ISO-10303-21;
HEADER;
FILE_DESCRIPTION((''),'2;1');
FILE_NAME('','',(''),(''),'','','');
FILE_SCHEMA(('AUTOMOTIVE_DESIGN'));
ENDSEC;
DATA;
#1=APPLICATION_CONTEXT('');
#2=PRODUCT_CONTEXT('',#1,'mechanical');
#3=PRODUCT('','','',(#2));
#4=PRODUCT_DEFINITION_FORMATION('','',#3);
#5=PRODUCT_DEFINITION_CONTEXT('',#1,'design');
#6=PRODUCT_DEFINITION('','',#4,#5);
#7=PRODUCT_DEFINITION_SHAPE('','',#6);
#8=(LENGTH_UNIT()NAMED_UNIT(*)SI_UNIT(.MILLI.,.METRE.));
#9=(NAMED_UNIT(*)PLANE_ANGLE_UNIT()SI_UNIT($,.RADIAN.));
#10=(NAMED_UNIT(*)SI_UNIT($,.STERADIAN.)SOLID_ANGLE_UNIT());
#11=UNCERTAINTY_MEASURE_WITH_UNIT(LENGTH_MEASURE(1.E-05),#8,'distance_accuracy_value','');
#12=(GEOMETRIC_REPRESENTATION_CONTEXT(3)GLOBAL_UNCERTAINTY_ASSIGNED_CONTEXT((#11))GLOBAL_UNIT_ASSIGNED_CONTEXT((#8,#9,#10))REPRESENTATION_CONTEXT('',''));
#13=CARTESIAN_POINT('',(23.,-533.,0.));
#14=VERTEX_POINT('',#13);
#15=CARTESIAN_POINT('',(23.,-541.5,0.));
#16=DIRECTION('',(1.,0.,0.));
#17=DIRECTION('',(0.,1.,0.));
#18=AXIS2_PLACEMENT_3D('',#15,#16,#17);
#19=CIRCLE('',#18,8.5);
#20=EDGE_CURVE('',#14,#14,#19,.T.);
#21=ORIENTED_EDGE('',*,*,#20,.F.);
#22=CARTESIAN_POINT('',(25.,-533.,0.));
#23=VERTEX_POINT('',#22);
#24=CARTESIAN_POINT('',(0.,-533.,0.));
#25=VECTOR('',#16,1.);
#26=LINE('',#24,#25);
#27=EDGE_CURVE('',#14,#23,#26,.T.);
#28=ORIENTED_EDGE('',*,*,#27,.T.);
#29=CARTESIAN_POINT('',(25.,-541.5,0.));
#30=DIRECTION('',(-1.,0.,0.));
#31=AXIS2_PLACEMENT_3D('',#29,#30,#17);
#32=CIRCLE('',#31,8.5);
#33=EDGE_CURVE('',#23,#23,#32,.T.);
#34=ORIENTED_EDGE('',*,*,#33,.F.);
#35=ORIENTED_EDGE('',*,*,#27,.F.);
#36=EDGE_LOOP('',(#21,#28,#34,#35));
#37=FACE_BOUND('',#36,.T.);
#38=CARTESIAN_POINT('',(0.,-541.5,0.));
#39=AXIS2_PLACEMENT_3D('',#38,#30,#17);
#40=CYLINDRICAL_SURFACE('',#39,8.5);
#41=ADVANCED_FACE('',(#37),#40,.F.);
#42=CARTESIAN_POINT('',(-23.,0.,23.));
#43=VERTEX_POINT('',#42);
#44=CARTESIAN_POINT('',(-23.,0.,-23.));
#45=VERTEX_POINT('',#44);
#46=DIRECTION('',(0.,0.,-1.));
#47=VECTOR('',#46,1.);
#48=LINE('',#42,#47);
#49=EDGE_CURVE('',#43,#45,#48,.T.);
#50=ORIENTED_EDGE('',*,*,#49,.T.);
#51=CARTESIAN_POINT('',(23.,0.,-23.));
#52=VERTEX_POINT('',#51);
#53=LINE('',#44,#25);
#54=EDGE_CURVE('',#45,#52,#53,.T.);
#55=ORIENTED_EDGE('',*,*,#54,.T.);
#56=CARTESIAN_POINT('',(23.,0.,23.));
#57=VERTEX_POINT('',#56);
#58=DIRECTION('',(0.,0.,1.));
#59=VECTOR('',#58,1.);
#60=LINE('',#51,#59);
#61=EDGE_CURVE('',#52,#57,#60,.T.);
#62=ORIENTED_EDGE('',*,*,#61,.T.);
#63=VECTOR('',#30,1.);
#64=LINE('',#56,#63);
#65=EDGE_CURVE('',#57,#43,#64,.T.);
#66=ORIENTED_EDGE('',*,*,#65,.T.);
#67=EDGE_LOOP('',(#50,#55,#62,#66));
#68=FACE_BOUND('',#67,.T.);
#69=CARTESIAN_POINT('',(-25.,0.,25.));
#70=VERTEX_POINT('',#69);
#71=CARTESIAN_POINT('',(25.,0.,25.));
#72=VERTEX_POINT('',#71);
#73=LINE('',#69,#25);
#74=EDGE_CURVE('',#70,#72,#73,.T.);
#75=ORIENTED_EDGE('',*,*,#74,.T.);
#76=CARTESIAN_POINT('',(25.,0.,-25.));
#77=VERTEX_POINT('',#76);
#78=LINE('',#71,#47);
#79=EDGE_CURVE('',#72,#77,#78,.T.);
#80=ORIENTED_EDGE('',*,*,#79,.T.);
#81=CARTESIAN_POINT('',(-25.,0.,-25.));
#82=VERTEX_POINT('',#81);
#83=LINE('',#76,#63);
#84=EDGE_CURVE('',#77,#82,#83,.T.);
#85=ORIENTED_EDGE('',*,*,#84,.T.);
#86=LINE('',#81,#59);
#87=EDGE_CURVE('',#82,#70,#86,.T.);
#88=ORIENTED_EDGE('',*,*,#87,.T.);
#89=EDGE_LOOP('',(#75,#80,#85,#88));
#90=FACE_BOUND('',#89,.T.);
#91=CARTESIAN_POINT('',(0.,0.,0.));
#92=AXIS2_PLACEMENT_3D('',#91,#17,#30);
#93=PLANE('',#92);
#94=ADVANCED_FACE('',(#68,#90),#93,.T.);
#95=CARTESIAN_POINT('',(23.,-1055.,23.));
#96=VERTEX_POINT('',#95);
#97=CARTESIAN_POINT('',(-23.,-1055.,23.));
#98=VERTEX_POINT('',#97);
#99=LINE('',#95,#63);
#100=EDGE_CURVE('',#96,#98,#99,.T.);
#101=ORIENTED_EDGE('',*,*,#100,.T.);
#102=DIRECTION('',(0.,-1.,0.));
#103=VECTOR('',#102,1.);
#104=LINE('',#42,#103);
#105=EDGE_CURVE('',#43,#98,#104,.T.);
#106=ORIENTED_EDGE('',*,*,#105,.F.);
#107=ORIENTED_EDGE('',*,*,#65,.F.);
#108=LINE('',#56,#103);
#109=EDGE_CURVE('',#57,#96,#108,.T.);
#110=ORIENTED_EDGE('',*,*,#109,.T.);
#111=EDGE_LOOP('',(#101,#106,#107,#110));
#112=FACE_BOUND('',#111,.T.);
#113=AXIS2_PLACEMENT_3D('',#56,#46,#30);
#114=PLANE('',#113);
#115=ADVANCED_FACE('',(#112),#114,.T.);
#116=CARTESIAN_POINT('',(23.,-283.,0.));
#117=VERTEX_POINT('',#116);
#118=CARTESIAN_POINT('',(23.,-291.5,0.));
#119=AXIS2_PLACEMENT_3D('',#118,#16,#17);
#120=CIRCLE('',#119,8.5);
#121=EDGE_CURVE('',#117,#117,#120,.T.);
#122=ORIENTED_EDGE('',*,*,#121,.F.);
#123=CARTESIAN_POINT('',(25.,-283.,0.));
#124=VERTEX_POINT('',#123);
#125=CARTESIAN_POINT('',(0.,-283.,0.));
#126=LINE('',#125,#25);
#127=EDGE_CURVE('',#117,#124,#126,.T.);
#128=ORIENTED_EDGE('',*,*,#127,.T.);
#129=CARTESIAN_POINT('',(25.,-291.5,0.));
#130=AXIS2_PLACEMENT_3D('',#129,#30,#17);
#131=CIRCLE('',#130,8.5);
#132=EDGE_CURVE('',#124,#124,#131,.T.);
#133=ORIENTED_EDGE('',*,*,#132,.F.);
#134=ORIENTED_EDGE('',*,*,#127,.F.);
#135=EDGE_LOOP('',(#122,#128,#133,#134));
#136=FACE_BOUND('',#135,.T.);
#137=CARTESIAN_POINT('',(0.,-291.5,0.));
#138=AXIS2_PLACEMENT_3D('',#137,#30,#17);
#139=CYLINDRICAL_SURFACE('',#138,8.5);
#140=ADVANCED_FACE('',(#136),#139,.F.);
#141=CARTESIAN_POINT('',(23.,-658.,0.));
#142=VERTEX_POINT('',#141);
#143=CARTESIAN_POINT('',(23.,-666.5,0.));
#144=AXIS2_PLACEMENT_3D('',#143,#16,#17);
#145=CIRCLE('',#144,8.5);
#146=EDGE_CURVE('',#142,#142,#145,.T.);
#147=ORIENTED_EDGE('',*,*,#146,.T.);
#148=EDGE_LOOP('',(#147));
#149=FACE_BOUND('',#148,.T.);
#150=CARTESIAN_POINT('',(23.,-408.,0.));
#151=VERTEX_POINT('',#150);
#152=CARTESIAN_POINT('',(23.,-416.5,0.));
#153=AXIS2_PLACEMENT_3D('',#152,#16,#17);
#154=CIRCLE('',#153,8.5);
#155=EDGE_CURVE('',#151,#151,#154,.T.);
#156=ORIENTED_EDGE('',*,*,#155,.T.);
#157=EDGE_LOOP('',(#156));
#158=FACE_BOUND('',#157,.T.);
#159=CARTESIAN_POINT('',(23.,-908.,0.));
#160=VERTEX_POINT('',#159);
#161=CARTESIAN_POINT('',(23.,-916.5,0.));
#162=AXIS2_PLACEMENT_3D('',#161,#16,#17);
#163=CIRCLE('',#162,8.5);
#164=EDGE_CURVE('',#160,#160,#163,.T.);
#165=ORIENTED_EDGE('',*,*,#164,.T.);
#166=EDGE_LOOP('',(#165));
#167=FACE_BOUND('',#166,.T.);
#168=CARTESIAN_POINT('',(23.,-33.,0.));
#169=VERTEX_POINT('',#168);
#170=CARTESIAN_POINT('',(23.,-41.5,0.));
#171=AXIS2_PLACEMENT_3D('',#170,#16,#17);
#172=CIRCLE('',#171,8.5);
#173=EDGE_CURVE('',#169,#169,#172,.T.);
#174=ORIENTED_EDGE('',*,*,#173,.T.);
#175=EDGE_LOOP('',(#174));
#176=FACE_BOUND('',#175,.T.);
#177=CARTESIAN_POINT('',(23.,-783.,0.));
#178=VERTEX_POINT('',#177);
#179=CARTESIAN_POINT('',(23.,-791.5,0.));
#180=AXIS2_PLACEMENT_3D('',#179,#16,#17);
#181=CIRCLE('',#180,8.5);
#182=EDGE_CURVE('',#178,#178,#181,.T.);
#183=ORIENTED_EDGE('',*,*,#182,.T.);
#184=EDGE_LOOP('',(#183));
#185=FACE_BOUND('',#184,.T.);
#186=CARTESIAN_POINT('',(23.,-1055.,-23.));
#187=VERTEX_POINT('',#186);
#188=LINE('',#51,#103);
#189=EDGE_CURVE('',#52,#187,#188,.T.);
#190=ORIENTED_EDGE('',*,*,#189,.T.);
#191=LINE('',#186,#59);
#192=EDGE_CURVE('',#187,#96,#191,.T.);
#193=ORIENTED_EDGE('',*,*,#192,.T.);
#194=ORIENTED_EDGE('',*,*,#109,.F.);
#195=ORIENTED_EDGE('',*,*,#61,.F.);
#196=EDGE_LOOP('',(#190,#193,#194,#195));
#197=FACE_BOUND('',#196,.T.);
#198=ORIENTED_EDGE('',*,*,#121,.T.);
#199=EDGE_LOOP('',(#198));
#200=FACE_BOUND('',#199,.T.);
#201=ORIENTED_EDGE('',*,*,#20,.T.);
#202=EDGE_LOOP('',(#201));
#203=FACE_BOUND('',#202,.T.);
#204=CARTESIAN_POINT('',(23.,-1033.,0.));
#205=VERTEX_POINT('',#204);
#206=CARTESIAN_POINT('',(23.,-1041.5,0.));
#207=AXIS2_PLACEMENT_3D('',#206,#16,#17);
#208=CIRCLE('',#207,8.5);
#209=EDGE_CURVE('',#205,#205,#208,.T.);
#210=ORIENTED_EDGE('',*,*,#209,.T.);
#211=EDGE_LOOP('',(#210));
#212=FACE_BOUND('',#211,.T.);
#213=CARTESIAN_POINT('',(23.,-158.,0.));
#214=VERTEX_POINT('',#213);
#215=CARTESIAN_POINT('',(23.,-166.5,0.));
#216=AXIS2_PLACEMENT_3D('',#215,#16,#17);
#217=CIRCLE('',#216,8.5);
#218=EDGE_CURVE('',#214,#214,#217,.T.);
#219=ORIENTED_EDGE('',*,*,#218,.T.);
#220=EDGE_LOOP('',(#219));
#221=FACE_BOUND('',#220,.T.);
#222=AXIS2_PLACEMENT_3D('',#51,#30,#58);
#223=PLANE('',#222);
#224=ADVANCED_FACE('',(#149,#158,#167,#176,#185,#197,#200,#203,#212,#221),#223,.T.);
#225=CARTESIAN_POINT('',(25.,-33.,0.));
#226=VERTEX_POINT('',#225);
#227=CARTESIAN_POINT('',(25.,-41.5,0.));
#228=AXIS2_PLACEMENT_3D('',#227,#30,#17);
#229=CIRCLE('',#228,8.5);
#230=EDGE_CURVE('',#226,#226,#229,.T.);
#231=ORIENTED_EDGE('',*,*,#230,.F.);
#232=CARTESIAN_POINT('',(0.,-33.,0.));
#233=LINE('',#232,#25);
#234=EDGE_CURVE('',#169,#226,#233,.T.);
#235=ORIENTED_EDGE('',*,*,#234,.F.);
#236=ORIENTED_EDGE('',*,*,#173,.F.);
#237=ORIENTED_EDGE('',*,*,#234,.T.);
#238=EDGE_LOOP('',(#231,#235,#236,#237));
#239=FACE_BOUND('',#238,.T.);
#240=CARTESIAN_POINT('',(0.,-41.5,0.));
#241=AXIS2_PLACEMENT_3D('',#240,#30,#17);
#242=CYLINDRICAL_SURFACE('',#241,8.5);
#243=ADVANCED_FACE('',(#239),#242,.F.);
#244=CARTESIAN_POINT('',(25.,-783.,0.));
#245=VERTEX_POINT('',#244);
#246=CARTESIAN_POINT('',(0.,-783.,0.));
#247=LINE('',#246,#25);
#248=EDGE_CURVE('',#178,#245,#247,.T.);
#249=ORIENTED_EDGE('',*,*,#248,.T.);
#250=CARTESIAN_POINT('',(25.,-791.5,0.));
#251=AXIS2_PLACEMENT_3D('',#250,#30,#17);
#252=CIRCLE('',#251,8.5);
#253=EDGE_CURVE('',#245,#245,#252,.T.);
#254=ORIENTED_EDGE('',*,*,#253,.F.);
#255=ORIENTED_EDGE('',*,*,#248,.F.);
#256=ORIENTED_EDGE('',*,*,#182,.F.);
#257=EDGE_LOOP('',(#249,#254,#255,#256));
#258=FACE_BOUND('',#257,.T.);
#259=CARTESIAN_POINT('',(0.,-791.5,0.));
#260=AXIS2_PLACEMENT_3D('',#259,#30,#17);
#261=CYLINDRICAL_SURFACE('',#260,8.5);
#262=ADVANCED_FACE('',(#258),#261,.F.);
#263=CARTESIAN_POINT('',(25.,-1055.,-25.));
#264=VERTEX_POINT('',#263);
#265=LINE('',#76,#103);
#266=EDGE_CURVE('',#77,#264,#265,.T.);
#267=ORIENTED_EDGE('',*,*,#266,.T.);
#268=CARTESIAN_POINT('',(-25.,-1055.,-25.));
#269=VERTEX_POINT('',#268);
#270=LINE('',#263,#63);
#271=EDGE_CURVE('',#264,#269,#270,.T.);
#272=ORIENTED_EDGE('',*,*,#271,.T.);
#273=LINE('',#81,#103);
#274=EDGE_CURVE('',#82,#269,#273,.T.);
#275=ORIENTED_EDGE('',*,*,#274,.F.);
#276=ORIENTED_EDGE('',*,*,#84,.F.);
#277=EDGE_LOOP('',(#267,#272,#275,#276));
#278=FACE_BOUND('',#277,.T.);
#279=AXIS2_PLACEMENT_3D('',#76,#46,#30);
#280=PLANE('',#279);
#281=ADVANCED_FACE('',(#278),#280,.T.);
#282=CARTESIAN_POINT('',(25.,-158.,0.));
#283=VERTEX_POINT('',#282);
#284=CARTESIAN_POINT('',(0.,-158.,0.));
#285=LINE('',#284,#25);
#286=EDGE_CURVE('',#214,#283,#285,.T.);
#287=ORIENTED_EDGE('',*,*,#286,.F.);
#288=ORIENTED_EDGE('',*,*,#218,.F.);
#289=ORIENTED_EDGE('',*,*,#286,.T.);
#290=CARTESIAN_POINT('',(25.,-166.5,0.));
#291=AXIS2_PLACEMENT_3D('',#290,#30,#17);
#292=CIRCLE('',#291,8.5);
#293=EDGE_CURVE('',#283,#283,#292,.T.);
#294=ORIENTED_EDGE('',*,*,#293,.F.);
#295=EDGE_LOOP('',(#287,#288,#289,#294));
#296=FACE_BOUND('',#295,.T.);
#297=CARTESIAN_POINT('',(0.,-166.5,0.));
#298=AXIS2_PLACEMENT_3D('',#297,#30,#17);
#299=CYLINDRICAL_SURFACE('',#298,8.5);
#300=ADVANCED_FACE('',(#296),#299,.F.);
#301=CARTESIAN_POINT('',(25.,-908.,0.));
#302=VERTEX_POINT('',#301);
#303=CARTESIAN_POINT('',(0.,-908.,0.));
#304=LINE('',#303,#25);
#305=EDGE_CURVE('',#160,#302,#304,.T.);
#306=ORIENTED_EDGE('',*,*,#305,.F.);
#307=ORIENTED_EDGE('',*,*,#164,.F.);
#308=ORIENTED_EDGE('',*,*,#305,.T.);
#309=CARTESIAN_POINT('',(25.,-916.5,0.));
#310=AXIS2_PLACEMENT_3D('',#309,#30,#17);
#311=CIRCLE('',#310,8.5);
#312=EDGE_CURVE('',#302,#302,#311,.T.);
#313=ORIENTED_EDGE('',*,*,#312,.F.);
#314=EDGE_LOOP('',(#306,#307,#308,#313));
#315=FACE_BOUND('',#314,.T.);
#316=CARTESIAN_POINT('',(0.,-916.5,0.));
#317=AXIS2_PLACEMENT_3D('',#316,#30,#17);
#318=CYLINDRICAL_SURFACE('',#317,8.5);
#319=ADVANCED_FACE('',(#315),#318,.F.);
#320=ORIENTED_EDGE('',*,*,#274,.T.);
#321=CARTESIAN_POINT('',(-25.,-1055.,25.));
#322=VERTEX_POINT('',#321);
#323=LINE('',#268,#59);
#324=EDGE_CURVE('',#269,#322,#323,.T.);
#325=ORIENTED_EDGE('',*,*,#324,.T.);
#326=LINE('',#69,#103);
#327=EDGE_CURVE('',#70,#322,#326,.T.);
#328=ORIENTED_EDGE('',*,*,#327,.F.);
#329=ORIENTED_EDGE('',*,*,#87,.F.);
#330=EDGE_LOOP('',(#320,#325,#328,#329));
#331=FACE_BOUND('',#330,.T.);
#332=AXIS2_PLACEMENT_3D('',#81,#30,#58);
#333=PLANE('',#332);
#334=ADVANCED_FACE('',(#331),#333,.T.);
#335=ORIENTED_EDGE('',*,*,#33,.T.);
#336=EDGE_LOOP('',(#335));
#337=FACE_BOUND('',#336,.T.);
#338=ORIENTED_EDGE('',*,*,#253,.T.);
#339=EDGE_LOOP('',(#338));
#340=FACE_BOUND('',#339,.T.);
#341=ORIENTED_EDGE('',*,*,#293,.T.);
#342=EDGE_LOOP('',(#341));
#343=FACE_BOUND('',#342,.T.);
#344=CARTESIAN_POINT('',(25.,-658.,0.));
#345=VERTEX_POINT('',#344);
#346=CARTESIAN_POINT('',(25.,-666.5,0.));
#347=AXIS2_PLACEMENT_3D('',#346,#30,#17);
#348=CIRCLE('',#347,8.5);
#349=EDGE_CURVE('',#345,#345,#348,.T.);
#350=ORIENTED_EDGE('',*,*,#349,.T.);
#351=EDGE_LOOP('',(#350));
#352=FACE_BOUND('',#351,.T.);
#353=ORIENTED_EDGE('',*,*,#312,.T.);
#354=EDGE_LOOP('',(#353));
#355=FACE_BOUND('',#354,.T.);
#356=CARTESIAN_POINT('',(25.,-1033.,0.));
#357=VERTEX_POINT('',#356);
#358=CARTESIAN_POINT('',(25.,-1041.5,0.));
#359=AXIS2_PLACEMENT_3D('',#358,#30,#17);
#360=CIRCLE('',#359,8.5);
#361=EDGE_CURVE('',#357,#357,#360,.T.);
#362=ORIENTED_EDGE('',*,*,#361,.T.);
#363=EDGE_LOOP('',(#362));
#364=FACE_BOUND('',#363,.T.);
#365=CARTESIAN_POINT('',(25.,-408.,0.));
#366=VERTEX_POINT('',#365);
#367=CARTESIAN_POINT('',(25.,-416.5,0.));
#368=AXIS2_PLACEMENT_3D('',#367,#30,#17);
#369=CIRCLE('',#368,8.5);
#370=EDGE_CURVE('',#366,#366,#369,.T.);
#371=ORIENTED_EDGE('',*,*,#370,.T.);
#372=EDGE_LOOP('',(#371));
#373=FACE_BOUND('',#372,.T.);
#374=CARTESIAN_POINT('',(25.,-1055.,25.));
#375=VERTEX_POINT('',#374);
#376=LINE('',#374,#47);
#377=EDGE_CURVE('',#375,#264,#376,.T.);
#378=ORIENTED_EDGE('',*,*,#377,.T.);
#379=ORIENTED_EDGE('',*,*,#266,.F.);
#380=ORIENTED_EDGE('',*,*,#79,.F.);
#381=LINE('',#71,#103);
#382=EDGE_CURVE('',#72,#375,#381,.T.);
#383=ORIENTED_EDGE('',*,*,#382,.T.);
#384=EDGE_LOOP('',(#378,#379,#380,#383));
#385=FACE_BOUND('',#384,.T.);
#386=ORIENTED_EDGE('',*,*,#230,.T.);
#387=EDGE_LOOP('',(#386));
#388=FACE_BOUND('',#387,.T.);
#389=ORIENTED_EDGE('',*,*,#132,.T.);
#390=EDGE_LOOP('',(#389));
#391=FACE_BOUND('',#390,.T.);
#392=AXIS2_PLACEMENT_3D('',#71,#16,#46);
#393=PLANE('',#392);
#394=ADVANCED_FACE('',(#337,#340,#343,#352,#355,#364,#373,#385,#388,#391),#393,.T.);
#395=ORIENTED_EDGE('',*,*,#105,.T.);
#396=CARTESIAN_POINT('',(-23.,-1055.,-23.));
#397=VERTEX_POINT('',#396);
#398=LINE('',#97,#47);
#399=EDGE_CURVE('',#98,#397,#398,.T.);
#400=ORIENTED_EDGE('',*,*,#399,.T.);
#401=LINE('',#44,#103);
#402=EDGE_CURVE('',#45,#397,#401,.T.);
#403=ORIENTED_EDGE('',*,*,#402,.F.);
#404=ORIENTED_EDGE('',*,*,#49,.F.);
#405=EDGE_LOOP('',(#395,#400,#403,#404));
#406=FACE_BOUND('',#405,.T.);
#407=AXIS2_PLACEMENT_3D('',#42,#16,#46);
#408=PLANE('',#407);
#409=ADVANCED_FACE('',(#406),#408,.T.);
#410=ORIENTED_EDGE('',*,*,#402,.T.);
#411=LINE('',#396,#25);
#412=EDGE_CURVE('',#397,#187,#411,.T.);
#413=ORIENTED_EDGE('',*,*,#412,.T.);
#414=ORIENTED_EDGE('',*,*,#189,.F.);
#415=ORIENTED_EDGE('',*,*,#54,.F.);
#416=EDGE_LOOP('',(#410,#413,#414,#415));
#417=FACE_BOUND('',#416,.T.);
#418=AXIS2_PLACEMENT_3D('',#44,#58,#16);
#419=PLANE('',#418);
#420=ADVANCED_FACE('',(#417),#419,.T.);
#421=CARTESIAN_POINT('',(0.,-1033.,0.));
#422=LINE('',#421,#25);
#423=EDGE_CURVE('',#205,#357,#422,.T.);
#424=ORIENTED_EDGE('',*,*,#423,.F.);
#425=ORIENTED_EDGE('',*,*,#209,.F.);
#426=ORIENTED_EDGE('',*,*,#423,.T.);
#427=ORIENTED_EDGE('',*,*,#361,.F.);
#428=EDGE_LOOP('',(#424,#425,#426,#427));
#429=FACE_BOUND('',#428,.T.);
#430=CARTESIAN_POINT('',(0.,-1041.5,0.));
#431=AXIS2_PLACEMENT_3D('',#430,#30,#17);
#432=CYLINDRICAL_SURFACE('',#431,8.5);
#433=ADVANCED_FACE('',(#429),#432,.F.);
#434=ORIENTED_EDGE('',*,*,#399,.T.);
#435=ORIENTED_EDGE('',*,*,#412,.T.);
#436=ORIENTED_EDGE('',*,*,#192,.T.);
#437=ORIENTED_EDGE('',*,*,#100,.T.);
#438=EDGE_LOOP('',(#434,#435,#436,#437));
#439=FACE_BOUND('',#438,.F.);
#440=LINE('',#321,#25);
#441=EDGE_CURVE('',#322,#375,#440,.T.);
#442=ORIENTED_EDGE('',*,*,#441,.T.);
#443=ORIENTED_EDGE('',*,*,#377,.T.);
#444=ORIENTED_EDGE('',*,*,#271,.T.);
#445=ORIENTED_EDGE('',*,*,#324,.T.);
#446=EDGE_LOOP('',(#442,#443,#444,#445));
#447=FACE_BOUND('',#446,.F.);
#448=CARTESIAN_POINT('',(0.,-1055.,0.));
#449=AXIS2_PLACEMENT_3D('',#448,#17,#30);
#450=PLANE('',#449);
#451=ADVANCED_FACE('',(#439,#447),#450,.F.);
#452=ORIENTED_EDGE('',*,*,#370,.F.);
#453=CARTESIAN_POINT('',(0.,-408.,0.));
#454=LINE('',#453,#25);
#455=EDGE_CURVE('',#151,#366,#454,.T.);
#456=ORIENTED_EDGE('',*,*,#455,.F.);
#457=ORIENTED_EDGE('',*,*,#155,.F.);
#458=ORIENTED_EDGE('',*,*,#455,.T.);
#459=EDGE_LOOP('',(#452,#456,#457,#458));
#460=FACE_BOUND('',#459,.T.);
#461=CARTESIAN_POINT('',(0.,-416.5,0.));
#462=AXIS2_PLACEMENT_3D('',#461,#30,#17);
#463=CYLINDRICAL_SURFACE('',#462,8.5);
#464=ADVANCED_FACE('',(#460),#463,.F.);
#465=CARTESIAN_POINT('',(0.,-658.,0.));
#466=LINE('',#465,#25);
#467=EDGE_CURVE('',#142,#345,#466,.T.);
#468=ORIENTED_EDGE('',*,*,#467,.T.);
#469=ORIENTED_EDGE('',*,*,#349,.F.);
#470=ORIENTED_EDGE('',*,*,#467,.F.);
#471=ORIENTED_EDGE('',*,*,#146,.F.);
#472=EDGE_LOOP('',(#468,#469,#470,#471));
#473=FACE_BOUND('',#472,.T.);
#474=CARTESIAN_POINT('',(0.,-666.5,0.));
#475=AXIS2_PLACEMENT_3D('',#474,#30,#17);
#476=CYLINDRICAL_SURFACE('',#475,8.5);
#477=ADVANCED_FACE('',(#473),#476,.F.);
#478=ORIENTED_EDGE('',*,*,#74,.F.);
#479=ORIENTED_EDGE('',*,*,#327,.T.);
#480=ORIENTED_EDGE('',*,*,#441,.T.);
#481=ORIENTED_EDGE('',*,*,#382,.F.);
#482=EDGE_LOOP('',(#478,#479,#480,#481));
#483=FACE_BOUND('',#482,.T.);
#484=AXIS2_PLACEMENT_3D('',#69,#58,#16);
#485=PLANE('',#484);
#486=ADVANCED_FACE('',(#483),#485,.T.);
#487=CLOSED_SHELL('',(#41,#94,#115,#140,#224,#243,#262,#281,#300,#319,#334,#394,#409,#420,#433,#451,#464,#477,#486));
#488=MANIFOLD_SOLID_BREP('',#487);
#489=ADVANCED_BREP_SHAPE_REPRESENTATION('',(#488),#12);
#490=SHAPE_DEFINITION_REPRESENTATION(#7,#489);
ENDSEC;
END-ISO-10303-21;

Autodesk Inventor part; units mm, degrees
ref_plane "YZ Plane" through (0, 0, 0) normal (1, 0, 0) x (0, 1, 0)
ref_plane "XZ Plane" through (0, 0, 0) normal (0, 1, 0) x (-1, 0, 0)
ref_plane "XY Plane" through (0, 0, 0) normal (0, 0, 1) x (1, 0, 0)
sketch "Sketch9" plane through (0, 0, 0) normal (0, 1, 0) x (-1, 0, 0)
  line L0 (25, 25) -> (-25, 25)
  line L1 (-25, 25) -> (-25, -25)
  line L2 (-25, -25) -> (25, -25)
  line L3 (25, -25) -> (25, 25)
  line L4 (25, 25) -> (-25, -25) construction
  line L5 (-25, 25) -> (25, -25) construction
  line L6 (-23, 23) -> (23, 23)
  line L7 (23, 23) -> (23, -23)
  line L8 (23, -23) -> (-23, -23)
  line L9 (-23, -23) -> (-23, 23)
  point P0 (0, 0)
  dimension "d172" = 50
  dimension "d173" = 50
  dimension "d174" = 2
extrude "Extrusion3" add sketch "Sketch9" against normal blind 1055
sketch "Sketch10" plane through (0, 0, 0) normal (1, 0, 0) x (0, 1, 0)
  line L0 (0, 25) -> (0, -25) construction
  line L1 (0, 25) -> (-1055, 25) construction
  line L2 (-1055, -25) -> (-1055, 25) construction
  line L3 (0, -25) -> (-1055, -25) construction
  line L4 (-1050, 8.5) -> (-1033, 8.5)
  line L5 (-1033, 8.5) -> (-1033, -8.5)
  line L6 (-1033, -8.5) -> (-1050, -8.5)
  line L7 (-1050, -8.5) -> (-1050, 8.5)
  line L8 (-1050, 8.5) -> (-1033, -8.5) construction
  line L9 (-1033, 8.5) -> (-1050, -8.5) construction
  circle A0 centre (-1041.5, 0) radius 8.5
  line L10 (0, 25) -> (0, -25) projected
  point P0 (0, 0)
  point P1 (0, 0)
  point P2 (-1055, 0)
  dimension "d177" = 17
  dimension "d178" = 17
  dimension "d191" = 5
extrude "Extrusion4" cut sketch "Sketch10" along normal through all contours A0
pattern_linear "Rectangular Pattern4" count 9 spacing 125 along (0, 1, 0) of "Extrusion4"
properties part number "TKS 3534 FDS WAY tube4" material "Stainless Steel"
